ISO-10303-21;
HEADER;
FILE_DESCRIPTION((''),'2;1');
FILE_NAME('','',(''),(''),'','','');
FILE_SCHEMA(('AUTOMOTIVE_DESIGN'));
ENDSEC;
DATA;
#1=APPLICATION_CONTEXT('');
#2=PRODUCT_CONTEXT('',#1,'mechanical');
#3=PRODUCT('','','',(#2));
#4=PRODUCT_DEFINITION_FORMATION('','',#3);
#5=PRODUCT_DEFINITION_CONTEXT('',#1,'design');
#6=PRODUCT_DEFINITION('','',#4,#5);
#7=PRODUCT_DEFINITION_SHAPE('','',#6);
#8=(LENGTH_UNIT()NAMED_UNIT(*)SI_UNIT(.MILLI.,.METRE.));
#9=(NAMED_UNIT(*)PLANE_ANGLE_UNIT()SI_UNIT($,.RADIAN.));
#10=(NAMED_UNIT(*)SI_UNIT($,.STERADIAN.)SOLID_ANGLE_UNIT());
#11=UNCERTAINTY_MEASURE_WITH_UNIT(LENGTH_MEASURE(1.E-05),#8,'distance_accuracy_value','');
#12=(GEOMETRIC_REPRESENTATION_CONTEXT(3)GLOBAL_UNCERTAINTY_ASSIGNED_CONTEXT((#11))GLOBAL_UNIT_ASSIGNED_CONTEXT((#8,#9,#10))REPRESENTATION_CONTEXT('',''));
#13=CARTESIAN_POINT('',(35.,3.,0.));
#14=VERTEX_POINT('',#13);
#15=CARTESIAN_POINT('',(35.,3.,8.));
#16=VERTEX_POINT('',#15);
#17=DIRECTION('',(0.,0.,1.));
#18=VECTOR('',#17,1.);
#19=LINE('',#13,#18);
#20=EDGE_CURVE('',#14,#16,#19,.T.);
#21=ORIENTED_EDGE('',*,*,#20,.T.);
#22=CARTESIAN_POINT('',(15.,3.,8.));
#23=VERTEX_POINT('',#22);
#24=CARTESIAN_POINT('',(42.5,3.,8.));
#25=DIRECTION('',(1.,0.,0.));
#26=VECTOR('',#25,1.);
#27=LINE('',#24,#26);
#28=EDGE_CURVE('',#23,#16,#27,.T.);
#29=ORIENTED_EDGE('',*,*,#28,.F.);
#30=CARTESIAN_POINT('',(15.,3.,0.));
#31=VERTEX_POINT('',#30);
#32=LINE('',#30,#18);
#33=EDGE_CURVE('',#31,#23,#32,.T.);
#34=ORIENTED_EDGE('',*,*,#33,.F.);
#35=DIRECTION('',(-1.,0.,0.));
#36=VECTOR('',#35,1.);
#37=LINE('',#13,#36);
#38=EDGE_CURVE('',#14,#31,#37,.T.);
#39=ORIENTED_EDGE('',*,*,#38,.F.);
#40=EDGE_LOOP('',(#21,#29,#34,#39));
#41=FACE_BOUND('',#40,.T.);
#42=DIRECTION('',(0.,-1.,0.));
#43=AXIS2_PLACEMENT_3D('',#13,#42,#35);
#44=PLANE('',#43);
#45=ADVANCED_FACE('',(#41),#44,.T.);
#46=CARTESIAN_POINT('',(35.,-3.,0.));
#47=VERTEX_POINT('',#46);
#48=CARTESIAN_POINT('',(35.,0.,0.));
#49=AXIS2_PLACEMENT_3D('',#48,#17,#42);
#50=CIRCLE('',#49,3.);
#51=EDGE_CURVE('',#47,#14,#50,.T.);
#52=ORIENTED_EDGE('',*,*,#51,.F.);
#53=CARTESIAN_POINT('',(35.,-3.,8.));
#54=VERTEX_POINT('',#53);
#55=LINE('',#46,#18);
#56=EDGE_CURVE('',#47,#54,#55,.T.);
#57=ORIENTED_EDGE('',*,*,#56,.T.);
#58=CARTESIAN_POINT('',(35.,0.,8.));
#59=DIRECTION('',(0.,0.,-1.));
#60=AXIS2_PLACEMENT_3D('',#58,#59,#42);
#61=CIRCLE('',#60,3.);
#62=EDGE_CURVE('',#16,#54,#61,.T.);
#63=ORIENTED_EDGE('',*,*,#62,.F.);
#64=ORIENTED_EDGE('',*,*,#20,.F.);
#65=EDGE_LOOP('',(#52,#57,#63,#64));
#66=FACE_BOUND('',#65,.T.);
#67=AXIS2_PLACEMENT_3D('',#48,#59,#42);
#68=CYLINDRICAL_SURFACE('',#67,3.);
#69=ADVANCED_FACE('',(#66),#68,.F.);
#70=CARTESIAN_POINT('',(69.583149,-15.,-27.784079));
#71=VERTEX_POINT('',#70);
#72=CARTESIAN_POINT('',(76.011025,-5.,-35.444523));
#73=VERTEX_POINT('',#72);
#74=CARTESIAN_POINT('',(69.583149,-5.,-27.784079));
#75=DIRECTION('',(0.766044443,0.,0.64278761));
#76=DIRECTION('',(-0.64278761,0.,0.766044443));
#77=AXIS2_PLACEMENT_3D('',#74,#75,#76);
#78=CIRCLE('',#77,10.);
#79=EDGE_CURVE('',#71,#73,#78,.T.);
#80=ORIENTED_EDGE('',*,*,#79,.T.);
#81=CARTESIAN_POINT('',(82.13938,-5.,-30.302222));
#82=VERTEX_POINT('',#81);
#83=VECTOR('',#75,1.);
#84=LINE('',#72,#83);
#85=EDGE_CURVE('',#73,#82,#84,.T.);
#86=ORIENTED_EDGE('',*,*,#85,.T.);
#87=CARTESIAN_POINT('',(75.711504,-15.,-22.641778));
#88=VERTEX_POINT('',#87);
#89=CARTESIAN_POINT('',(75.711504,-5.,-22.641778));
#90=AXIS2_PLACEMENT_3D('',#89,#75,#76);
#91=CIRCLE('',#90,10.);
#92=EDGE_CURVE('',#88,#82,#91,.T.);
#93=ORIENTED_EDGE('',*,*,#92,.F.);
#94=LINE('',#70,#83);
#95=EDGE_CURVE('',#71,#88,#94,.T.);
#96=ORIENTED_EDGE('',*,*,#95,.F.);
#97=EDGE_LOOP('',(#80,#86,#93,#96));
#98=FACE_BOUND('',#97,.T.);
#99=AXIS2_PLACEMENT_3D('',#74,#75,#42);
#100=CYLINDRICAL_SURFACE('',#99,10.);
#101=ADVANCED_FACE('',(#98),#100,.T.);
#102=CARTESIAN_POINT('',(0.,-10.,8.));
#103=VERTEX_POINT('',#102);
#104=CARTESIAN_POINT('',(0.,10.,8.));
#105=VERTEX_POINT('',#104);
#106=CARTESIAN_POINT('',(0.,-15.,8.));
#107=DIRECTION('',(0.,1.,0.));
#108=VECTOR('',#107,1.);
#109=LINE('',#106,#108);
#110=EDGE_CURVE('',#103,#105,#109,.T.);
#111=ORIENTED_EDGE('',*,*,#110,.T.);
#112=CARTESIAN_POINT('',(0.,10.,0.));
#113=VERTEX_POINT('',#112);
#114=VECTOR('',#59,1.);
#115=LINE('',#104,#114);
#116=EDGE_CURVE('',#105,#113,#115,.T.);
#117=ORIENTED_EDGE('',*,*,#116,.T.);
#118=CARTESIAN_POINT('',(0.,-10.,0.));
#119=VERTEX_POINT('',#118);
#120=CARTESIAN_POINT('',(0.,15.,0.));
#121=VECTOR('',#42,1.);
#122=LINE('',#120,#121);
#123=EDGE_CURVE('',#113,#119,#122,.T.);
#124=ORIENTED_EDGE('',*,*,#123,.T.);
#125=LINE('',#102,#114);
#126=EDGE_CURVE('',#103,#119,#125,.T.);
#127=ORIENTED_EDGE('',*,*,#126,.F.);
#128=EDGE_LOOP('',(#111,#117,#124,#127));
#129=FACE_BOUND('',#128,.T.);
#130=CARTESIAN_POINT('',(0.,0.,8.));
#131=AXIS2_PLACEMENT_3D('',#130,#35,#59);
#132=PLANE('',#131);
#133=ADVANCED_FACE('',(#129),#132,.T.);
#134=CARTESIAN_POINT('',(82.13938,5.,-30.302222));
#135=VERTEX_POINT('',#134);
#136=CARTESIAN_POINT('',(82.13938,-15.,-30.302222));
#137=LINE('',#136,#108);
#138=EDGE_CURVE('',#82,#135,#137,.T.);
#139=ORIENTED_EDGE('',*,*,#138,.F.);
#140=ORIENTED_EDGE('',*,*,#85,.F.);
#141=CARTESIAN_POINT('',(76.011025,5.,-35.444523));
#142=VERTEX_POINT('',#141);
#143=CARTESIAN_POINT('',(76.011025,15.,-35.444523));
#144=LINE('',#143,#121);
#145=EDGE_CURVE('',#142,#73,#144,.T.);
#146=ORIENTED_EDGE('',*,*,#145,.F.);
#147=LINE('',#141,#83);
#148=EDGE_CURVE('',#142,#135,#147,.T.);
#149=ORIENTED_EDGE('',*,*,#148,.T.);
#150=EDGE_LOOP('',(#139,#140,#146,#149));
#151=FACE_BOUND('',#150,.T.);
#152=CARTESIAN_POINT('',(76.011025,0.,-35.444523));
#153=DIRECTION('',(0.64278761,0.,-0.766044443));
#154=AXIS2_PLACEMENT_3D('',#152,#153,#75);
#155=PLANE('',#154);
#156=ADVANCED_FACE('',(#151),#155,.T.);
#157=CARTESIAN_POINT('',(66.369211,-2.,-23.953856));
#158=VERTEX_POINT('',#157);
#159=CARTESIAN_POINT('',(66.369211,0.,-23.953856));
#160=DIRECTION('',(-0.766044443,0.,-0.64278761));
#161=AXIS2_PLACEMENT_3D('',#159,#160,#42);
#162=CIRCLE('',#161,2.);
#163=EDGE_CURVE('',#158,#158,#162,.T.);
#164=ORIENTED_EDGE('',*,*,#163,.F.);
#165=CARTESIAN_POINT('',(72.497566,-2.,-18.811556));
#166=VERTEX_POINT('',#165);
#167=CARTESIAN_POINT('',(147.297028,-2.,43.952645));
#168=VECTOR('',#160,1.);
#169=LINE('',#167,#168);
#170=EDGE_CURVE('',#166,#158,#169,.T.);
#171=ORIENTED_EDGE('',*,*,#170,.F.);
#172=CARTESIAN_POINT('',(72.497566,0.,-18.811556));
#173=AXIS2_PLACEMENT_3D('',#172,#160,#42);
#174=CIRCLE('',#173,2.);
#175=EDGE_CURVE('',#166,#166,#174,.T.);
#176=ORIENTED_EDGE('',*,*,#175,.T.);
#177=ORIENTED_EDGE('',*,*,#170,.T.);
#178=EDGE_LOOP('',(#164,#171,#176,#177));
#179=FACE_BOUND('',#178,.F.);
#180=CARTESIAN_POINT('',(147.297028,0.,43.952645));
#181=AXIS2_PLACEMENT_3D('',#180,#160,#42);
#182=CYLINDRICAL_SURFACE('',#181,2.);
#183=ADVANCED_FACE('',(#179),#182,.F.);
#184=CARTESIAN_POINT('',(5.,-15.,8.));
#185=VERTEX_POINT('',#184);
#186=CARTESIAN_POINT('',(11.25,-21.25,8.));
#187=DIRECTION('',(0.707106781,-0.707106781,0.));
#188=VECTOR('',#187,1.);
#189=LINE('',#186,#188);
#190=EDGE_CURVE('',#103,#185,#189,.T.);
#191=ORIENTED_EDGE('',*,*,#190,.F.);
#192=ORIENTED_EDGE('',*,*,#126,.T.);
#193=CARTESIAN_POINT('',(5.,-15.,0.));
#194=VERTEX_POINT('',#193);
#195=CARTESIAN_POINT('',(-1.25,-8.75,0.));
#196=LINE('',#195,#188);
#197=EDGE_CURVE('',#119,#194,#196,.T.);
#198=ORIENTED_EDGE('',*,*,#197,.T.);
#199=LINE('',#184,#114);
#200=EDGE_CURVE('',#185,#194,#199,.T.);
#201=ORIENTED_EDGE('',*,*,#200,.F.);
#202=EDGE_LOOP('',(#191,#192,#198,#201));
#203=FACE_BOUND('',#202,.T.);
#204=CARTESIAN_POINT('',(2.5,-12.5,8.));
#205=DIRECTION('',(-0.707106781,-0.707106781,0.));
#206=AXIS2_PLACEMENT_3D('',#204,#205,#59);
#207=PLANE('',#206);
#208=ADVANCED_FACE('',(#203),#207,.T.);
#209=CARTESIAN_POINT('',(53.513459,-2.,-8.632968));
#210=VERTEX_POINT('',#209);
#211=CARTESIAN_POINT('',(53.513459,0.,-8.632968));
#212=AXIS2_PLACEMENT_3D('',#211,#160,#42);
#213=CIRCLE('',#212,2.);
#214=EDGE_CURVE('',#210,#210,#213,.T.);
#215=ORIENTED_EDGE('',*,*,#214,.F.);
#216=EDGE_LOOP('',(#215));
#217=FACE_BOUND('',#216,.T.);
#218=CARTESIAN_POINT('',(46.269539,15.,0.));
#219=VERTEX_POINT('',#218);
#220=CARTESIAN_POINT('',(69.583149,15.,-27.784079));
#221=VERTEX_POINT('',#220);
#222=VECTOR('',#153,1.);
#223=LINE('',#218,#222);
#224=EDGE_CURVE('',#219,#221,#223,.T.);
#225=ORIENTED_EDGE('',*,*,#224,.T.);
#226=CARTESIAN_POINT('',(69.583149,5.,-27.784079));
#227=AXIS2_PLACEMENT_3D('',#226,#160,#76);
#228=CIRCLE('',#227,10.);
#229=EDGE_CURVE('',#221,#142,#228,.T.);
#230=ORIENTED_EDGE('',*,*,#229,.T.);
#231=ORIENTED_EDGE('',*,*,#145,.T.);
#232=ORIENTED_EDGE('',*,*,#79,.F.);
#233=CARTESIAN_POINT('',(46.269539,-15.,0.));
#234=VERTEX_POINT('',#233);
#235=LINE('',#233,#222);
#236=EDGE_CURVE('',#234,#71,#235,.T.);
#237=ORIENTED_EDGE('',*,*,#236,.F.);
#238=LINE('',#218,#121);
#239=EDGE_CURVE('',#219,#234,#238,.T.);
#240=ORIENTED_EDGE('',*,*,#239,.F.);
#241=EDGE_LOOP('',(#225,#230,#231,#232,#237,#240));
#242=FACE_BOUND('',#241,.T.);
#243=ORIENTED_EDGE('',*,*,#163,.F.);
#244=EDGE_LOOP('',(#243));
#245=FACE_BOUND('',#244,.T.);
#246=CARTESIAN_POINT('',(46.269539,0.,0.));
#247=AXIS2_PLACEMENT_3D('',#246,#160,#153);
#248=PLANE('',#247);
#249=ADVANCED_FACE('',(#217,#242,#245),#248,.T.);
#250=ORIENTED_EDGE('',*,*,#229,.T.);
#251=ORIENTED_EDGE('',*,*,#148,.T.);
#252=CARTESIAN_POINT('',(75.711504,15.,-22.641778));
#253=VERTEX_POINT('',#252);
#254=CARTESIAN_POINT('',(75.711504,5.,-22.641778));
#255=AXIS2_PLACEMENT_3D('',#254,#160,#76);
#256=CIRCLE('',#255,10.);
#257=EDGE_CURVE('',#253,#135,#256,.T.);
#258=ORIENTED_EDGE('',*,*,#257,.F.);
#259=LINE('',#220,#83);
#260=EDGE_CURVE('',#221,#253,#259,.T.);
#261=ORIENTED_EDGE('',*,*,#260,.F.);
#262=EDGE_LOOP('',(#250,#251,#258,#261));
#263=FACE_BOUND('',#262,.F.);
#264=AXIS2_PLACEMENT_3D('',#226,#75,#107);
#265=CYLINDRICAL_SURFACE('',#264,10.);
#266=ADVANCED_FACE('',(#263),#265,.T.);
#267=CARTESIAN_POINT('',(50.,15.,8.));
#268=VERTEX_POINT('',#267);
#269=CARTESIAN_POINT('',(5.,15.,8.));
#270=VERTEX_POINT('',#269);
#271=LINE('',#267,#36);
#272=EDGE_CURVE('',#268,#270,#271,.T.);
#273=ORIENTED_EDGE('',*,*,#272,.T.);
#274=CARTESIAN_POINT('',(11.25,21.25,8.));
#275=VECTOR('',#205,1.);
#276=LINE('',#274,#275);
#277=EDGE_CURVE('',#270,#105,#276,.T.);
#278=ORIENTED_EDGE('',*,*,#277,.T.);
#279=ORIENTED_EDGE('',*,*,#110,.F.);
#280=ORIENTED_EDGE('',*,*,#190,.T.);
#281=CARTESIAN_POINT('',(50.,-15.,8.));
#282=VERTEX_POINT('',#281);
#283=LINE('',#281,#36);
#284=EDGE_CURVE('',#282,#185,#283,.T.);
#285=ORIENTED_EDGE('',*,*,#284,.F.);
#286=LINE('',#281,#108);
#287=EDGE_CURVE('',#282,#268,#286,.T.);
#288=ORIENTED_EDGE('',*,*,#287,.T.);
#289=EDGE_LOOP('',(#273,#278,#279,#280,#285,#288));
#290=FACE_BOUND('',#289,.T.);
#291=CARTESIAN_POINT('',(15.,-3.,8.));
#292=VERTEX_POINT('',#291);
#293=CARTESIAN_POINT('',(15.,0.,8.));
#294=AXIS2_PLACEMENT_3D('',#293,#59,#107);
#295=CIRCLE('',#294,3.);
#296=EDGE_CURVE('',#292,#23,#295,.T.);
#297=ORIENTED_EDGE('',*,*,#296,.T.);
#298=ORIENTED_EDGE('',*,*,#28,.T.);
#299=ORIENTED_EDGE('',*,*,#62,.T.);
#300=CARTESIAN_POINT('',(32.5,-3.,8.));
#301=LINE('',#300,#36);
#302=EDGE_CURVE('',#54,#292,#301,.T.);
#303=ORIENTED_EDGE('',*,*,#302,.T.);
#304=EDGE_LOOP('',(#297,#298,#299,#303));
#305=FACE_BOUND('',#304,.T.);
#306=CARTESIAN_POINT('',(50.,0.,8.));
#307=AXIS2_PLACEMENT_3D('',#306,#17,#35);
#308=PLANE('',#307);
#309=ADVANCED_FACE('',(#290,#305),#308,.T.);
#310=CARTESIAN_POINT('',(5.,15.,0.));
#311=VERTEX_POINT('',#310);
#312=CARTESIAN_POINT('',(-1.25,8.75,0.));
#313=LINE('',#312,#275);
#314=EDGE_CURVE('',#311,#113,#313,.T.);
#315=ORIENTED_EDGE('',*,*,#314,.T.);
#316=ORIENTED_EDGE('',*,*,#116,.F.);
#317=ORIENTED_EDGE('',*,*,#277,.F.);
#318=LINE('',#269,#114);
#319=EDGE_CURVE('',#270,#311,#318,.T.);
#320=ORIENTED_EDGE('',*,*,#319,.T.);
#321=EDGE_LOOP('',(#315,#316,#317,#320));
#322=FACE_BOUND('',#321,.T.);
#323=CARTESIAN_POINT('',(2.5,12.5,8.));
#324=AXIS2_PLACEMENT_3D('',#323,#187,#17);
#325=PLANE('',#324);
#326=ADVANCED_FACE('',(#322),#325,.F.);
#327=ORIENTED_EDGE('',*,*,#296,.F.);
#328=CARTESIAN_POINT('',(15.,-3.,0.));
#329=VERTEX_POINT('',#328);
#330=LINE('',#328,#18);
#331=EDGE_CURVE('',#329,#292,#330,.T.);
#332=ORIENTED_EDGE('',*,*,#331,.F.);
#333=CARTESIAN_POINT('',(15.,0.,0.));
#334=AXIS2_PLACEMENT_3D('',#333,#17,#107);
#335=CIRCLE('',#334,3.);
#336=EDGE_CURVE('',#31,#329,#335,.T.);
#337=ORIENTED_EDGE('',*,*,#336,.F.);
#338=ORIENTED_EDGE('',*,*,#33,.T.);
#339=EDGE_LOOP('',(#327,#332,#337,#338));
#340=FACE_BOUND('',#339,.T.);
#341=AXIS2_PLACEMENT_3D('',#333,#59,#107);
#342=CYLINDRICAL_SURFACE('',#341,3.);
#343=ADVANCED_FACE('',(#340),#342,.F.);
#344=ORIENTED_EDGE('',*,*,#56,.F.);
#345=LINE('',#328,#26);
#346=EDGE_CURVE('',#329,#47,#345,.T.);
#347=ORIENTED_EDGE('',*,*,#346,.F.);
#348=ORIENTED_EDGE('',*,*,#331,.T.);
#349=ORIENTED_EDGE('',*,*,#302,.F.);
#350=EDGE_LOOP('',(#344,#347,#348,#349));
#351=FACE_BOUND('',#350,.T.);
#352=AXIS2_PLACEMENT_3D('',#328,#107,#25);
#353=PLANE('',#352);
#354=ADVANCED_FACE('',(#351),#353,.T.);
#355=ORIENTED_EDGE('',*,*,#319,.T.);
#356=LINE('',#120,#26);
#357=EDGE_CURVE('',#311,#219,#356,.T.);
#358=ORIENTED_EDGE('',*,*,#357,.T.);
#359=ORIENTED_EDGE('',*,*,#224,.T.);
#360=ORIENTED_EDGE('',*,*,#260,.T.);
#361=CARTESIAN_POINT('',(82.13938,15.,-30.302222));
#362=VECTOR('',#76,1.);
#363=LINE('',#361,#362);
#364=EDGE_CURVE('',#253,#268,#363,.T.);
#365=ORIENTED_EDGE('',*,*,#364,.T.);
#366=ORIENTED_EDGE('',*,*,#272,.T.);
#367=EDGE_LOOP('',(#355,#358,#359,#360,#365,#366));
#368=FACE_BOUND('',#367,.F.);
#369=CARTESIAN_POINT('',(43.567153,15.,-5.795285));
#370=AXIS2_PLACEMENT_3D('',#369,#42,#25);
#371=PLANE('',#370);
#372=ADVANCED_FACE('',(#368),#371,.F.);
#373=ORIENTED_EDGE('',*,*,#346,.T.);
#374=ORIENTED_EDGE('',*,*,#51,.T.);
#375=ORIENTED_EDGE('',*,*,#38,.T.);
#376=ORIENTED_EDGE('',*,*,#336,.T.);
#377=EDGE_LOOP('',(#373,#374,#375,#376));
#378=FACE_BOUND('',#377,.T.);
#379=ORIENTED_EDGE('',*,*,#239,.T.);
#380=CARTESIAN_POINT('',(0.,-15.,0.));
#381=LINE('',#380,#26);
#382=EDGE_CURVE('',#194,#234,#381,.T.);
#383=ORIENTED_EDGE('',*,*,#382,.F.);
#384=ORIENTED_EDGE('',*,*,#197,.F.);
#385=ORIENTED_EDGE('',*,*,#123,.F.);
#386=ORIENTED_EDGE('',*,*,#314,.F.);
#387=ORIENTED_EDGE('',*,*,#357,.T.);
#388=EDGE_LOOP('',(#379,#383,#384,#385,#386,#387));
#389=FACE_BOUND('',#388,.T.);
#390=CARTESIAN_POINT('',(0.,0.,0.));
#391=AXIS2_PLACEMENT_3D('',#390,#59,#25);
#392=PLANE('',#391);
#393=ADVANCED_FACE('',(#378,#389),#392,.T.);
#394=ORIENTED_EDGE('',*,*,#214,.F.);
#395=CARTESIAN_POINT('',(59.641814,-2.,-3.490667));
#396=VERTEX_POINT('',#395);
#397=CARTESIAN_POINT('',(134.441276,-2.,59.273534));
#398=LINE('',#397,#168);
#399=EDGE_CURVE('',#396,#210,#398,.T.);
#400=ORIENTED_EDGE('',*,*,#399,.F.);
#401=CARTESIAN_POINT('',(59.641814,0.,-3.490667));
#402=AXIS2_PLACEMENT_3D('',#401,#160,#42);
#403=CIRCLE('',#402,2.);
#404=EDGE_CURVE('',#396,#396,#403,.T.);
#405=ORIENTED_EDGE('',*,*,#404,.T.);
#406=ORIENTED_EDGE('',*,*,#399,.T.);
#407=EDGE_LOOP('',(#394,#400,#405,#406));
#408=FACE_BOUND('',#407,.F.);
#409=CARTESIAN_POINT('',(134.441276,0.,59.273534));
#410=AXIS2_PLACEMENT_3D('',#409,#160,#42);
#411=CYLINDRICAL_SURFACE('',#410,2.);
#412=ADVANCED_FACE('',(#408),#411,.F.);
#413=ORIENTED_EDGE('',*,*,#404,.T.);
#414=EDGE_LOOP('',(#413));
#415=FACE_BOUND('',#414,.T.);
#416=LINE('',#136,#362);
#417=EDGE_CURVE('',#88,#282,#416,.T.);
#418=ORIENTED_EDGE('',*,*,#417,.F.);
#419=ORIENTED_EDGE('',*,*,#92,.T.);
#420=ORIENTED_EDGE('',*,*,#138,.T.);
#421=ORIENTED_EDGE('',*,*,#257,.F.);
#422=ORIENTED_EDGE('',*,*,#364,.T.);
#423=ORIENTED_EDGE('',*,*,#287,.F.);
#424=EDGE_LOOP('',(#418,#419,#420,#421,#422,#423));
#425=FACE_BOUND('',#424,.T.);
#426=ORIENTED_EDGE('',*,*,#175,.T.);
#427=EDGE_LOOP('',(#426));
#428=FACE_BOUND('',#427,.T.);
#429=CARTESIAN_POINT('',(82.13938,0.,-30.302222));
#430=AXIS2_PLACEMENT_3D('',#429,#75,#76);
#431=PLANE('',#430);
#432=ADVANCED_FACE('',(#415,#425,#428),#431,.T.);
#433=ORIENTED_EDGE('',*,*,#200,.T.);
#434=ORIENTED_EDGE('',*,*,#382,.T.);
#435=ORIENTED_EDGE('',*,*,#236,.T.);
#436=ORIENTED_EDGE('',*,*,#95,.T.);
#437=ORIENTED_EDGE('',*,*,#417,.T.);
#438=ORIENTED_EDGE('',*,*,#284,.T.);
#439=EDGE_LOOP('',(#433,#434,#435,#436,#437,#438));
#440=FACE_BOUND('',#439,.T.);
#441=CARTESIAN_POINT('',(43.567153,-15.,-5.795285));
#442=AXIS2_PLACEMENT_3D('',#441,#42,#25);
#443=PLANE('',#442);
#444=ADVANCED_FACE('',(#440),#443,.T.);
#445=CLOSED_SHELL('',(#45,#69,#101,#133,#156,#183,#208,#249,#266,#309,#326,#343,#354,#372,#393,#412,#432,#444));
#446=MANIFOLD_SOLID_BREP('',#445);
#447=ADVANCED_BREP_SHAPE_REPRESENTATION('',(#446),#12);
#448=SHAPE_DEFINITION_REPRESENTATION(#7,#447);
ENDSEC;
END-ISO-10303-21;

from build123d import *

# Parameters (mm, degrees)
F1_DEPTH = 15
F3_DEPTH = 8.001
F5_D     = 4
F6_R     = 10
F7_SIZE  = 5


with BuildPart() as f1:
    # F0 (on Front) → F1 (new body, symmetric)
    with BuildSketch(Plane.XZ):
        Polygon((0, 8), (0, 0), (46.2695387348, 0), (76.0110249394, -35.4445230334), (82.1393804843, -30.3022221559), (50, 8), align=None)
    extrude(amount=F1_DEPTH, both=True)

    # F2 (on Top) → F3 (cut, through all)
    with BuildSketch(Plane.XY):
        with BuildLine():
            ThreePointArc((35, -3), (38, 0), (35, 3))
            Line((35, 3), (15, 3))
            ThreePointArc((15, 3), (12, 0), (15, -3))
            Line((15, -3), (35, -3))
        make_face()
    extrude(amount=F3_DEPTH, mode=Mode.SUBTRACT)

    # F5 (through all)
    with Locations(Plane(origin=(33.2804354537, 0, 27.9256011146), x_dir=(0, 1, 0), z_dir=(0.7660444431, 0, 0.6427876097))):
        with Locations((0, -41.0110249394), (0, -61.0110249394)):
            Hole(F5_D / 2)

    # F6
    f6_edges = [f1.edges().sort_by_distance(p)[0] for p in [
        (79.075203, -15, -32.873373),
        (79.075203, 15, -32.873373),
    ]]
    fillet(f6_edges, radius=F6_R)

    # F7
    f7_edges = [f1.edges().sort_by_distance(p)[0] for p in [
        (0, 15, 4),
        (0, -15, 4),
    ]]
    chamfer(f7_edges, length=F7_SIZE)


solid = f1.part
